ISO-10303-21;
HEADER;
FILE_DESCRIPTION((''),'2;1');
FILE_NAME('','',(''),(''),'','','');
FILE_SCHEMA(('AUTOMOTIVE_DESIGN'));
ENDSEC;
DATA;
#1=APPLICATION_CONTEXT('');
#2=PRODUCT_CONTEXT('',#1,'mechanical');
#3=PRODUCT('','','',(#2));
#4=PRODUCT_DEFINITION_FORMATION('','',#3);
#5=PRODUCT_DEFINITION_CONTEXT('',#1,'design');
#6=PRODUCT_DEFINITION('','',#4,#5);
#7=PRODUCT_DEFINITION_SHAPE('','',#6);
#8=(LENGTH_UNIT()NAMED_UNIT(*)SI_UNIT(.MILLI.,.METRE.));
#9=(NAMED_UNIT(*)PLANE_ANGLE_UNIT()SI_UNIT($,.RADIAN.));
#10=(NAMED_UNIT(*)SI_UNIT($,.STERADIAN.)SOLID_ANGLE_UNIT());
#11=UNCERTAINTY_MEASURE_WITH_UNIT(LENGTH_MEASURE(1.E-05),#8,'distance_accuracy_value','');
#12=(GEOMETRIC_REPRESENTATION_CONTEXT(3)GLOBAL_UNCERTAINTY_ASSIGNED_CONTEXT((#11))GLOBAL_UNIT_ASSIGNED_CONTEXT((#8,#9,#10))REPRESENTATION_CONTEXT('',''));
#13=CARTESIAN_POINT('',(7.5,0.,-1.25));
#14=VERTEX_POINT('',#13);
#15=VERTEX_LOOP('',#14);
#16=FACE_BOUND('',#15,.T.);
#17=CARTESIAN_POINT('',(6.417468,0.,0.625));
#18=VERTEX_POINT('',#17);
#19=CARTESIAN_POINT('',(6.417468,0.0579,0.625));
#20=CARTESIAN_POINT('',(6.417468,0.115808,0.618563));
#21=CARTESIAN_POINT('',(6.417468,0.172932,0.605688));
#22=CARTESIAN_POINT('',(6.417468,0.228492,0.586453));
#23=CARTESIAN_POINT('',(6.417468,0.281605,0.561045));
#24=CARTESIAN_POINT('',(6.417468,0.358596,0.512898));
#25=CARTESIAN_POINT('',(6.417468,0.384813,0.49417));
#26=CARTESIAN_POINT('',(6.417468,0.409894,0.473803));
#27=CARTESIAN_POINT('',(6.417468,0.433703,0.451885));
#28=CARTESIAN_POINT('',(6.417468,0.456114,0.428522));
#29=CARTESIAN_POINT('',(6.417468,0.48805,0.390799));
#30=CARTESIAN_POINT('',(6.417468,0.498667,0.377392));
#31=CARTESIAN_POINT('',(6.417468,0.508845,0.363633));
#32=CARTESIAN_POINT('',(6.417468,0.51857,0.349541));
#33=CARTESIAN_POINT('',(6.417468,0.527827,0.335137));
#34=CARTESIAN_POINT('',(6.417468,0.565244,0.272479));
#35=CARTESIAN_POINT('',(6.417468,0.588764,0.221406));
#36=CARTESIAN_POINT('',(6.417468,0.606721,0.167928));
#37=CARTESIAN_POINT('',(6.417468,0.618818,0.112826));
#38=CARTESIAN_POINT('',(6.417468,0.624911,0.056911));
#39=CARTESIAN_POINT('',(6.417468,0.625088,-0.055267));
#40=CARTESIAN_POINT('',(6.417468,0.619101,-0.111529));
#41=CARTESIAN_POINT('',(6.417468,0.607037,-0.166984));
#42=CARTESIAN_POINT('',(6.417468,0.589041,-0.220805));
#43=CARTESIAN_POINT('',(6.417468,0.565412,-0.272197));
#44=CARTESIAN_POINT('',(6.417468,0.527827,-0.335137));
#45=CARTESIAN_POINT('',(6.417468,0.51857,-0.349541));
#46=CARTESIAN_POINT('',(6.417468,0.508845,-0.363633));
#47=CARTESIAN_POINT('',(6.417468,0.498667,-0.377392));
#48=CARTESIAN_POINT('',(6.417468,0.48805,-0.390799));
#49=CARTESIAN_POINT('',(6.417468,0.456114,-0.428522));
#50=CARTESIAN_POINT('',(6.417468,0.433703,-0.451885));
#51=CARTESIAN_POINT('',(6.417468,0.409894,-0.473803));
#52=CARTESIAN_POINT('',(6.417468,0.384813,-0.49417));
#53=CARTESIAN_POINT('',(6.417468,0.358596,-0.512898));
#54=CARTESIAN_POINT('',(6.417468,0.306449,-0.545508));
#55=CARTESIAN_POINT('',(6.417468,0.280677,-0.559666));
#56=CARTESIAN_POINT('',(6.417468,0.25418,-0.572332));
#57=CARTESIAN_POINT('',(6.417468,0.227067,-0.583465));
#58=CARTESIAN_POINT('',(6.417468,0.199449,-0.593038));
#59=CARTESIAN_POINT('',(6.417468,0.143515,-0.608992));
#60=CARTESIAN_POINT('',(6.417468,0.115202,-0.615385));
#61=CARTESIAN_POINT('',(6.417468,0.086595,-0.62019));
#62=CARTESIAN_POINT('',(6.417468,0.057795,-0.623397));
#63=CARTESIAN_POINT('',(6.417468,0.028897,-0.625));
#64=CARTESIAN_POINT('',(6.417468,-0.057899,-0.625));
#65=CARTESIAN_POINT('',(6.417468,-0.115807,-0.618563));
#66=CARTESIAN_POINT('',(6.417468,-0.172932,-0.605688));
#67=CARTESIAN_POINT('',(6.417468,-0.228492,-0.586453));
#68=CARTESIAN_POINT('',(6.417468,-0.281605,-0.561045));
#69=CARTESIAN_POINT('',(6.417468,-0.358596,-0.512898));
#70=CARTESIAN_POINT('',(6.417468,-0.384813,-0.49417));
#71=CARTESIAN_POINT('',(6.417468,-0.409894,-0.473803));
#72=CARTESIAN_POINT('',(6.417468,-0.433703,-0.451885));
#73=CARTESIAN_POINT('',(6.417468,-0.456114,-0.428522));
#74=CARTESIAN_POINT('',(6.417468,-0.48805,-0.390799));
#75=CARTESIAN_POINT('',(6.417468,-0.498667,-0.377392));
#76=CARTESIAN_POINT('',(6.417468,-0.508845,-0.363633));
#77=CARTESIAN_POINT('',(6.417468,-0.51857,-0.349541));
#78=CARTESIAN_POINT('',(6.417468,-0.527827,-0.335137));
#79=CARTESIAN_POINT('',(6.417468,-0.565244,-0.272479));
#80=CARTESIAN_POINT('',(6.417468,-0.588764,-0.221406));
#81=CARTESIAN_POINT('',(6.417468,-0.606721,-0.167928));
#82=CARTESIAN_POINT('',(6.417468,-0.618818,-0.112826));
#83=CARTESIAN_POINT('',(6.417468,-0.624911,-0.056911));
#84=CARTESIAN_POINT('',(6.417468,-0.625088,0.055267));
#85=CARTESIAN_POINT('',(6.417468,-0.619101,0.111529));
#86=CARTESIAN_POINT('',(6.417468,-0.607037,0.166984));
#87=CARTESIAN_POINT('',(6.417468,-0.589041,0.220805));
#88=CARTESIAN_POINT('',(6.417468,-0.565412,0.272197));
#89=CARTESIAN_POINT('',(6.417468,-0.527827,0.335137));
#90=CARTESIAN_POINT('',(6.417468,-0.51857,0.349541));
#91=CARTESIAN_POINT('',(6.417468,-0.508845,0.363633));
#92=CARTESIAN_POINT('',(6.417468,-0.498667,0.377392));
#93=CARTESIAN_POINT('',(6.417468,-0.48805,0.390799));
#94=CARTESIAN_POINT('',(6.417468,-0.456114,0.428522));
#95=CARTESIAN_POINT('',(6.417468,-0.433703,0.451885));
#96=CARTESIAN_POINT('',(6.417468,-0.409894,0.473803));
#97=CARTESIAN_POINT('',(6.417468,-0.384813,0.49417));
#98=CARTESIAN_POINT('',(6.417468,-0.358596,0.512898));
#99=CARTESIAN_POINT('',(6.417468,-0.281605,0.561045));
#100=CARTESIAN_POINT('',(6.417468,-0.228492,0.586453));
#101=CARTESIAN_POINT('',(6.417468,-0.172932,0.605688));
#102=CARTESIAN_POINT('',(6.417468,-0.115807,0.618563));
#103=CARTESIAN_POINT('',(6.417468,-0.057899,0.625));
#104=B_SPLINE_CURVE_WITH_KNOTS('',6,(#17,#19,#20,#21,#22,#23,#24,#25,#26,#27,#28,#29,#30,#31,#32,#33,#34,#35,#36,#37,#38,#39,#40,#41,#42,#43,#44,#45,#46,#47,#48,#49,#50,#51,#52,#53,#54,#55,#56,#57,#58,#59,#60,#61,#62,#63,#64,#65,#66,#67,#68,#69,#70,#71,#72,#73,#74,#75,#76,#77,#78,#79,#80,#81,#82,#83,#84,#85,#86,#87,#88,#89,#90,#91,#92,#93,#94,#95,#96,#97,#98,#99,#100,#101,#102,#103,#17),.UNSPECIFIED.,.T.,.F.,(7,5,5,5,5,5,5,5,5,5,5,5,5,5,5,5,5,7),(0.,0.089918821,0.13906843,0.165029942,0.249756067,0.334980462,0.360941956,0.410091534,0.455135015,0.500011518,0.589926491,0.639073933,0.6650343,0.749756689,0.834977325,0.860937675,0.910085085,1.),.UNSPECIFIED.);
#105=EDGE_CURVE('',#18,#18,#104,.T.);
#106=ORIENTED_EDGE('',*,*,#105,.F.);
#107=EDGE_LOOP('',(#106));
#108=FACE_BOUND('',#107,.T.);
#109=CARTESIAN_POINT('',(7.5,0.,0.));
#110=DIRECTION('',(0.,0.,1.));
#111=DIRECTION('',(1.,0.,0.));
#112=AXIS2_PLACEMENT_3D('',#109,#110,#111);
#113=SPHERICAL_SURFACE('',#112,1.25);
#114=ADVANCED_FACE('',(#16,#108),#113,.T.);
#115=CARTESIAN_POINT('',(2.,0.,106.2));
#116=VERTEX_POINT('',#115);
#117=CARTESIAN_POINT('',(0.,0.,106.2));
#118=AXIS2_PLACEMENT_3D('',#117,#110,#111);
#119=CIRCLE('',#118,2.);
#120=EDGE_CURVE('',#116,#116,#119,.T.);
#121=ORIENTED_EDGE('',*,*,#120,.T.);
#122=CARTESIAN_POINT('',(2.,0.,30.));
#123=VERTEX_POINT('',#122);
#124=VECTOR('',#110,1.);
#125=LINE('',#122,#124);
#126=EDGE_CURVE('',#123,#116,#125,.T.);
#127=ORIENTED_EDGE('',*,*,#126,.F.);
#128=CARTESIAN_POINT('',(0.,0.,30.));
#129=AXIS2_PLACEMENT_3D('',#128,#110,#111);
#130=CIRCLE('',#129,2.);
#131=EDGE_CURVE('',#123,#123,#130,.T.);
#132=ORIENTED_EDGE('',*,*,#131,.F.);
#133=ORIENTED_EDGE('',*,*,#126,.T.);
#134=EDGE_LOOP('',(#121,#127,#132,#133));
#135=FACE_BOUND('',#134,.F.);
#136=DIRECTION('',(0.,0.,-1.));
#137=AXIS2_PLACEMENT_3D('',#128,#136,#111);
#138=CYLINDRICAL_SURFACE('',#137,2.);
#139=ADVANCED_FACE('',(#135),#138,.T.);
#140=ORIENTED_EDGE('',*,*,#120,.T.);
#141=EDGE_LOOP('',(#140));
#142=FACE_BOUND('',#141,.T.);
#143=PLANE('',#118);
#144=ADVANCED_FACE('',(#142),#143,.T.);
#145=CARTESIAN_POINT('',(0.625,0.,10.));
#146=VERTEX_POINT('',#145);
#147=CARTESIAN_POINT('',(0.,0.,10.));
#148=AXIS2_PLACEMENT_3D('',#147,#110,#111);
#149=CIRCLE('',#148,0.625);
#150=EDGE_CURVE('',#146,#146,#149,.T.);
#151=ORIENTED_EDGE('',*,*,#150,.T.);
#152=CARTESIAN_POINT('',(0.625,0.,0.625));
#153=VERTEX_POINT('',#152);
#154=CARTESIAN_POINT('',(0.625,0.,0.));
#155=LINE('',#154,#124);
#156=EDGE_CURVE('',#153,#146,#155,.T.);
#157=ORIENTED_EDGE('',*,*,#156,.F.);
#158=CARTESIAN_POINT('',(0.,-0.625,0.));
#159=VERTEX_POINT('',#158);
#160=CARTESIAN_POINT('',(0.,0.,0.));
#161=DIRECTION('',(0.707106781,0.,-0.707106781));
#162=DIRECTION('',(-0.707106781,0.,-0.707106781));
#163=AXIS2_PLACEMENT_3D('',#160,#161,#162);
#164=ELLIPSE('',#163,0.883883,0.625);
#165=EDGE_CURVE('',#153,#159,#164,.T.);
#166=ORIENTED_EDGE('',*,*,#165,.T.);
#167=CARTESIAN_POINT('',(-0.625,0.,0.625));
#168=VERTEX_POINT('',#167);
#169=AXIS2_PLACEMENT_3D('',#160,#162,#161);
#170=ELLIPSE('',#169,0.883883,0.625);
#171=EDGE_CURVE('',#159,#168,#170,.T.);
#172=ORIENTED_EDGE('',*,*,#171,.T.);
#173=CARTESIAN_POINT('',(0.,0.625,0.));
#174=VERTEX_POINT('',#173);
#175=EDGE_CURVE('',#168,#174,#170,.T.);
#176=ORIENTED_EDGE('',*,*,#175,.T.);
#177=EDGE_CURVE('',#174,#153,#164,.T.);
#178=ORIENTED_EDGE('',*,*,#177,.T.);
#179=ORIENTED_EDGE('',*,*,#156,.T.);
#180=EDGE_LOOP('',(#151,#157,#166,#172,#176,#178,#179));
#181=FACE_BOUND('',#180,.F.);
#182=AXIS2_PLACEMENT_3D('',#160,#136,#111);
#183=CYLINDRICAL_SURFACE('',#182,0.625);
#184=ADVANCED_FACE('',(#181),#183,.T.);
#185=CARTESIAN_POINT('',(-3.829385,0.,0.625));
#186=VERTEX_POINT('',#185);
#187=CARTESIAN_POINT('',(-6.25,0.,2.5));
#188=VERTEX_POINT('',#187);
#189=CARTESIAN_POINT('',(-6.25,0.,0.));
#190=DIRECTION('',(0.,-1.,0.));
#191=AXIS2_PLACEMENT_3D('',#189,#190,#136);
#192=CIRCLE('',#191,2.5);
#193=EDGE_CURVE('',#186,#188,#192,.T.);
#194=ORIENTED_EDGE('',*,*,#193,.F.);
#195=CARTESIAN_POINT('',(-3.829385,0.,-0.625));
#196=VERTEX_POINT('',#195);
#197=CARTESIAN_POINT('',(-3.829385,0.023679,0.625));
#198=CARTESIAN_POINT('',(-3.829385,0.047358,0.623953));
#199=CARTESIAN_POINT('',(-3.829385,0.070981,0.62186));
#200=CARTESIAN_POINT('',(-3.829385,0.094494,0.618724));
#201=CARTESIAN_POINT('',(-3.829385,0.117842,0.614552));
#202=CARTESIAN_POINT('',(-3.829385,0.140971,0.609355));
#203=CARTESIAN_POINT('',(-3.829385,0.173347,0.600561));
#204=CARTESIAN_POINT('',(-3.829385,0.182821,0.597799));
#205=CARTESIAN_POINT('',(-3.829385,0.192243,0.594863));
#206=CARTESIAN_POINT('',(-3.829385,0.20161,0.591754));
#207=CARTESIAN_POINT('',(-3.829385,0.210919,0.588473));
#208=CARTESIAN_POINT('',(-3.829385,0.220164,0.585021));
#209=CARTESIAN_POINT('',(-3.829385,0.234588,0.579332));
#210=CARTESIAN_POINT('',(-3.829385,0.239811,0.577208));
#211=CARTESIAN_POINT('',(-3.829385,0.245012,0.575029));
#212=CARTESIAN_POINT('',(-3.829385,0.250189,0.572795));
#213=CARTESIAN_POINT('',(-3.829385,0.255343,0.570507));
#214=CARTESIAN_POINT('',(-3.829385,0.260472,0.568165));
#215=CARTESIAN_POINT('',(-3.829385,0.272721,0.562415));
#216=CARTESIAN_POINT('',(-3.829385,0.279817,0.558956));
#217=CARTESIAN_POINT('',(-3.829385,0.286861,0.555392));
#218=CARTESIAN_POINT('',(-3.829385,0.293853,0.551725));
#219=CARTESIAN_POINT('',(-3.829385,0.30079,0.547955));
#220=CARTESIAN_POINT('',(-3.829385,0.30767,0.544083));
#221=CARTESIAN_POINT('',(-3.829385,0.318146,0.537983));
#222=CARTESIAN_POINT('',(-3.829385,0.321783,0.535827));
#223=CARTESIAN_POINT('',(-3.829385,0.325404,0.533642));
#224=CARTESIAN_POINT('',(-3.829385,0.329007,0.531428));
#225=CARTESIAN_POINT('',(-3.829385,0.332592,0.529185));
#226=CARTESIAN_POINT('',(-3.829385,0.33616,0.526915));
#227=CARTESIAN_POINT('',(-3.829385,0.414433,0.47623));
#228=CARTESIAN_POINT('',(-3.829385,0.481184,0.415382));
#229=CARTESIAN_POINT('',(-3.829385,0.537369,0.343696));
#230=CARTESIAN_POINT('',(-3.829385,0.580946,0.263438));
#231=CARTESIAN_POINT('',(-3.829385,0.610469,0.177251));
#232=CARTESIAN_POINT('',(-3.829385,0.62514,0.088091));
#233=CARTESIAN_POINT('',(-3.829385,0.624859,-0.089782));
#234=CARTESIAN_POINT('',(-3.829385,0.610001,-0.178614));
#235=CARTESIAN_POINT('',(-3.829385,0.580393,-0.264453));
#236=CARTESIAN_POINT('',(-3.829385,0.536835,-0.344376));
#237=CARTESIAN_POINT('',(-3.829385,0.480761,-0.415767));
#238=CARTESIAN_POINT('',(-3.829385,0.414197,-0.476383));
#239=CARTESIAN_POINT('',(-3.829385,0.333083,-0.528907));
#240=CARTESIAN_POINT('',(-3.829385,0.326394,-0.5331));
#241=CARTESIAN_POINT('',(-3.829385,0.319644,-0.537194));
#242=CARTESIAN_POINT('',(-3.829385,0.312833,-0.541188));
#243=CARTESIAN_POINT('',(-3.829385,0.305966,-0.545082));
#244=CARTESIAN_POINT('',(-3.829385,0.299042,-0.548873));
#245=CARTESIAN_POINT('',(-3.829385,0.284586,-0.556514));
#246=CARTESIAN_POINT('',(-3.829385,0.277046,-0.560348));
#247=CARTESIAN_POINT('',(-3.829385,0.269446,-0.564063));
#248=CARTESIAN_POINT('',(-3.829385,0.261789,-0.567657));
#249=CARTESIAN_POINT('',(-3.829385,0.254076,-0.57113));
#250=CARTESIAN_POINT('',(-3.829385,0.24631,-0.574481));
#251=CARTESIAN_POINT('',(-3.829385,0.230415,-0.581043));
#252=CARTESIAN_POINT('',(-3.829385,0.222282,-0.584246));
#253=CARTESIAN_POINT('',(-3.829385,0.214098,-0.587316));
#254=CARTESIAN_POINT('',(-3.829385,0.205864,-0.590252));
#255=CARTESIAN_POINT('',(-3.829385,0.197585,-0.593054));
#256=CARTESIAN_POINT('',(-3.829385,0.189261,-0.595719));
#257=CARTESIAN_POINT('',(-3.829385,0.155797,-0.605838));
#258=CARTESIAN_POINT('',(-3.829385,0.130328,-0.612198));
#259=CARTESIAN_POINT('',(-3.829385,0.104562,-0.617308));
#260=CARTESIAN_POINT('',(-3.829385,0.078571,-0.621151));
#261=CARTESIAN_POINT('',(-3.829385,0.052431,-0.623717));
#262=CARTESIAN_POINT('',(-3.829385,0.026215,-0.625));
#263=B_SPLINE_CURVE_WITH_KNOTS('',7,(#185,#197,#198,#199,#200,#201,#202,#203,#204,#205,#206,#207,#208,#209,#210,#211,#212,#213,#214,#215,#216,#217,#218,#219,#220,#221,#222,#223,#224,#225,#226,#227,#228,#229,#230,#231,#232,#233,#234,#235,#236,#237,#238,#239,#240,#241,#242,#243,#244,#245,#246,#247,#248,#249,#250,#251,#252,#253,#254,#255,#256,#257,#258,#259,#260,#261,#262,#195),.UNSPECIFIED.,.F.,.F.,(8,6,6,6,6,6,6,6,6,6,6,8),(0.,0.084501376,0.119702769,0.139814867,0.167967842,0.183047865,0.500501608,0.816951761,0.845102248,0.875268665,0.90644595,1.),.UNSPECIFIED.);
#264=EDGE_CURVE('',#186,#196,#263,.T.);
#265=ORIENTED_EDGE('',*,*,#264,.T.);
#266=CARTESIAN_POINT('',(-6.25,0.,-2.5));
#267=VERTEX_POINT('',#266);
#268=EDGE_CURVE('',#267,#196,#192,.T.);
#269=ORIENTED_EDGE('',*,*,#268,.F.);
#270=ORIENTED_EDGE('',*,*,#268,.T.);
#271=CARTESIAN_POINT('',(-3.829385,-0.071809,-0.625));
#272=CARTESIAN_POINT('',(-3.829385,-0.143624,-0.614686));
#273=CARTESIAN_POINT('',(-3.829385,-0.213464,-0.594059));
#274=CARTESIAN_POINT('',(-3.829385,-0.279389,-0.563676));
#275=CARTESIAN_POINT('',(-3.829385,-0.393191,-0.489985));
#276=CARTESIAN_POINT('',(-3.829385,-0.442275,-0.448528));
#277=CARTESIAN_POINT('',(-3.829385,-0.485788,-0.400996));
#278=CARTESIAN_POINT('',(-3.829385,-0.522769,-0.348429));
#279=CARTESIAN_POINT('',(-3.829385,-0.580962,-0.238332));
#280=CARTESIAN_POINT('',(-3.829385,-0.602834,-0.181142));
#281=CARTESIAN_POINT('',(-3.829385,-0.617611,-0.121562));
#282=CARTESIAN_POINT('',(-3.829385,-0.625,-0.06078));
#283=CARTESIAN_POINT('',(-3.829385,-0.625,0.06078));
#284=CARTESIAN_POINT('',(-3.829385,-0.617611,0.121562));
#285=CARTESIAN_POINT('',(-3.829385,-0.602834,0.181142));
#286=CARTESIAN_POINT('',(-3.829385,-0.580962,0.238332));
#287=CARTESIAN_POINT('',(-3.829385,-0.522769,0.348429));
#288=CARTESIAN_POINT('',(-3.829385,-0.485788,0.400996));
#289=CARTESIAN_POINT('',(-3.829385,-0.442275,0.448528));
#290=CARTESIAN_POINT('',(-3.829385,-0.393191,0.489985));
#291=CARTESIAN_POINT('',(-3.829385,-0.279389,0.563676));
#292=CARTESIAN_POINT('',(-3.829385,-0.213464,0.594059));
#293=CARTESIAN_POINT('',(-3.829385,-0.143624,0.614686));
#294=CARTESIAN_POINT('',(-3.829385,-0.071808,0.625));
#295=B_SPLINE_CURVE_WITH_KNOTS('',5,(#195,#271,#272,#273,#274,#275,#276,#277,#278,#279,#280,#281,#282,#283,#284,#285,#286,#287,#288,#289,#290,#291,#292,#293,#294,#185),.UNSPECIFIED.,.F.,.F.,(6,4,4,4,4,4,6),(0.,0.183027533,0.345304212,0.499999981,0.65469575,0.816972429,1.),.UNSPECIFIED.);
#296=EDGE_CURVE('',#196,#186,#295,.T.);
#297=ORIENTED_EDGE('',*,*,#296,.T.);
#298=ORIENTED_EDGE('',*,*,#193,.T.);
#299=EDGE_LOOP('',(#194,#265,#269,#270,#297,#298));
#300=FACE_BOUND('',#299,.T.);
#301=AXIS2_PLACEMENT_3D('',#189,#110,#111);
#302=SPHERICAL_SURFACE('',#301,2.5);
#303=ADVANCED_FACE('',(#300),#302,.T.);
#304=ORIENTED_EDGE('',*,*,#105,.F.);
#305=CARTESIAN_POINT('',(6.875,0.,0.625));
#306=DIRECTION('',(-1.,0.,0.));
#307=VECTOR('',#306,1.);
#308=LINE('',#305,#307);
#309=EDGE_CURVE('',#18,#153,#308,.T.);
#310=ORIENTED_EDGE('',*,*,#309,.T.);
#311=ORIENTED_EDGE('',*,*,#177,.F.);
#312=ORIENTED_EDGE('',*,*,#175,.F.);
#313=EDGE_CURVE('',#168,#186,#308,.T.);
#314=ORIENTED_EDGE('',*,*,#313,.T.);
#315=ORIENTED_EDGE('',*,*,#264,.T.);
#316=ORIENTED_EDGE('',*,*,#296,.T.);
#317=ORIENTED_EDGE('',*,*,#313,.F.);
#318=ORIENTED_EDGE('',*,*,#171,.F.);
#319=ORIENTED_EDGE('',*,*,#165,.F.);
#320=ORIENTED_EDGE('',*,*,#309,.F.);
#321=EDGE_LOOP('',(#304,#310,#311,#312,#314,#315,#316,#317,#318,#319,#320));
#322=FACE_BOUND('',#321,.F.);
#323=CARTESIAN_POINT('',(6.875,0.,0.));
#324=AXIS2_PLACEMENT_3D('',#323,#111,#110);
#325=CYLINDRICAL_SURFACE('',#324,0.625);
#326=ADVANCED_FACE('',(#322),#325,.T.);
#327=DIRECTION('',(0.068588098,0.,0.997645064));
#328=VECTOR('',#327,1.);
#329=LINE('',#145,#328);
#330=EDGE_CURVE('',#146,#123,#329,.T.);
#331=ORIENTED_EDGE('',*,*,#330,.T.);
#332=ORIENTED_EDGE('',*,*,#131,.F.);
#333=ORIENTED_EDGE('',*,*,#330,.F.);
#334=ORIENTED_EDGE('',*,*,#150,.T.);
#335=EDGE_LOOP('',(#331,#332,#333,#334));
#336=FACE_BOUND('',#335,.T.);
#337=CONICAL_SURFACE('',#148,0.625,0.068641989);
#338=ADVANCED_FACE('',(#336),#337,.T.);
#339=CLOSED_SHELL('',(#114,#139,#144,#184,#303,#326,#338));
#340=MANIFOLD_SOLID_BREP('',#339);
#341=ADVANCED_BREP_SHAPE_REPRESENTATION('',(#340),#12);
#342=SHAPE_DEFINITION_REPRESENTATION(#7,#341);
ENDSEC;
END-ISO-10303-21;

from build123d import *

# Parameters (mm, degrees)
CYLINDER001_R        = 0.625
CYLINDER001_DEPTH    = 10
CYLINDER002_R        = 2
CYLINDER002_DEPTH    = 76.2
CYLINDER_R           = 0.625
CYLINDER_DEPTH       = 13.75
CYLINDER_PITCH_ANGLE = -90


with BuildPart() as cylinder001:
    # Cylinder001 → Cylinder001 (new body)
    with BuildSketch(Plane.XY):
        Circle(CYLINDER001_R)
    extrude(amount=CYLINDER001_DEPTH)


with BuildPart() as cylinder002:
    # Cylinder002 → Cylinder002 (new body)
    with BuildSketch(Plane.XY.offset(30)):
        Circle(CYLINDER002_R)
    extrude(amount=CYLINDER002_DEPTH)


with BuildPart() as cone:
    # Cone → Cone (revolve)
    with BuildSketch(Plane(origin=(0, 0, 10), x_dir=(1, 0, 0), z_dir=(0, -1, 0))):
        Polygon((0, 0), (0.625, 0), (2, 20), (0, 20), align=None)
    revolve(axis=Axis((0, 0, 10), (0, 0, 1)))


with BuildPart() as sphere001:
    # Sphere001 → Sphere001 (revolve)
    with BuildSketch(Plane(origin=(7.5, 0, 0), x_dir=(1, 0, 0), z_dir=(0, -1, 0))):
        with BuildLine():
            ThreePointArc((0, -1.25), (1.25, 0), (0, 1.25))
            Line((0, 1.25), (0, -1.25))
        make_face()
    revolve(axis=Axis((7.5, 0, 0), (0, 0, 1)))


with BuildPart() as cylinder:
    # Cylinder → Cylinder (new body)
    with BuildSketch(Plane.XY):
        Circle(CYLINDER_R)
    extrude(amount=CYLINDER_DEPTH)


with BuildPart() as cylinder_1:
    # Cylinder pitch: moved
    add(cylinder.part.rotate(Axis((0, 0, 0), (0, 1, 0)), CYLINDER_PITCH_ANGLE))


with BuildPart() as cylinder_2:
    # Cylinder placement: moved
    add(cylinder_1.part.moved(Location((6.875, 0, 0))))


with BuildPart() as fusion:
    # Sphere → Sphere (revolve)
    with BuildSketch(Plane(origin=(-6.25, 0, 0), x_dir=(1, 0, 0), z_dir=(0, -1, 0))):
        with BuildLine():
            ThreePointArc((0, -2.5), (2.5, 0), (0, 2.5))
            Line((0, 2.5), (0, -2.5))
        make_face()
    revolve(axis=Axis((-6.25, 0, 0), (0, 0, 1)))

    # Fusion: union Cylinder001, Cylinder002, Cone, Sphere001, Cylinder
    add(cylinder001.part)
    add(cylinder002.part)
    add(cone.part)
    add(sphere001.part)
    add(cylinder_2.part)


solid = fusion.part
